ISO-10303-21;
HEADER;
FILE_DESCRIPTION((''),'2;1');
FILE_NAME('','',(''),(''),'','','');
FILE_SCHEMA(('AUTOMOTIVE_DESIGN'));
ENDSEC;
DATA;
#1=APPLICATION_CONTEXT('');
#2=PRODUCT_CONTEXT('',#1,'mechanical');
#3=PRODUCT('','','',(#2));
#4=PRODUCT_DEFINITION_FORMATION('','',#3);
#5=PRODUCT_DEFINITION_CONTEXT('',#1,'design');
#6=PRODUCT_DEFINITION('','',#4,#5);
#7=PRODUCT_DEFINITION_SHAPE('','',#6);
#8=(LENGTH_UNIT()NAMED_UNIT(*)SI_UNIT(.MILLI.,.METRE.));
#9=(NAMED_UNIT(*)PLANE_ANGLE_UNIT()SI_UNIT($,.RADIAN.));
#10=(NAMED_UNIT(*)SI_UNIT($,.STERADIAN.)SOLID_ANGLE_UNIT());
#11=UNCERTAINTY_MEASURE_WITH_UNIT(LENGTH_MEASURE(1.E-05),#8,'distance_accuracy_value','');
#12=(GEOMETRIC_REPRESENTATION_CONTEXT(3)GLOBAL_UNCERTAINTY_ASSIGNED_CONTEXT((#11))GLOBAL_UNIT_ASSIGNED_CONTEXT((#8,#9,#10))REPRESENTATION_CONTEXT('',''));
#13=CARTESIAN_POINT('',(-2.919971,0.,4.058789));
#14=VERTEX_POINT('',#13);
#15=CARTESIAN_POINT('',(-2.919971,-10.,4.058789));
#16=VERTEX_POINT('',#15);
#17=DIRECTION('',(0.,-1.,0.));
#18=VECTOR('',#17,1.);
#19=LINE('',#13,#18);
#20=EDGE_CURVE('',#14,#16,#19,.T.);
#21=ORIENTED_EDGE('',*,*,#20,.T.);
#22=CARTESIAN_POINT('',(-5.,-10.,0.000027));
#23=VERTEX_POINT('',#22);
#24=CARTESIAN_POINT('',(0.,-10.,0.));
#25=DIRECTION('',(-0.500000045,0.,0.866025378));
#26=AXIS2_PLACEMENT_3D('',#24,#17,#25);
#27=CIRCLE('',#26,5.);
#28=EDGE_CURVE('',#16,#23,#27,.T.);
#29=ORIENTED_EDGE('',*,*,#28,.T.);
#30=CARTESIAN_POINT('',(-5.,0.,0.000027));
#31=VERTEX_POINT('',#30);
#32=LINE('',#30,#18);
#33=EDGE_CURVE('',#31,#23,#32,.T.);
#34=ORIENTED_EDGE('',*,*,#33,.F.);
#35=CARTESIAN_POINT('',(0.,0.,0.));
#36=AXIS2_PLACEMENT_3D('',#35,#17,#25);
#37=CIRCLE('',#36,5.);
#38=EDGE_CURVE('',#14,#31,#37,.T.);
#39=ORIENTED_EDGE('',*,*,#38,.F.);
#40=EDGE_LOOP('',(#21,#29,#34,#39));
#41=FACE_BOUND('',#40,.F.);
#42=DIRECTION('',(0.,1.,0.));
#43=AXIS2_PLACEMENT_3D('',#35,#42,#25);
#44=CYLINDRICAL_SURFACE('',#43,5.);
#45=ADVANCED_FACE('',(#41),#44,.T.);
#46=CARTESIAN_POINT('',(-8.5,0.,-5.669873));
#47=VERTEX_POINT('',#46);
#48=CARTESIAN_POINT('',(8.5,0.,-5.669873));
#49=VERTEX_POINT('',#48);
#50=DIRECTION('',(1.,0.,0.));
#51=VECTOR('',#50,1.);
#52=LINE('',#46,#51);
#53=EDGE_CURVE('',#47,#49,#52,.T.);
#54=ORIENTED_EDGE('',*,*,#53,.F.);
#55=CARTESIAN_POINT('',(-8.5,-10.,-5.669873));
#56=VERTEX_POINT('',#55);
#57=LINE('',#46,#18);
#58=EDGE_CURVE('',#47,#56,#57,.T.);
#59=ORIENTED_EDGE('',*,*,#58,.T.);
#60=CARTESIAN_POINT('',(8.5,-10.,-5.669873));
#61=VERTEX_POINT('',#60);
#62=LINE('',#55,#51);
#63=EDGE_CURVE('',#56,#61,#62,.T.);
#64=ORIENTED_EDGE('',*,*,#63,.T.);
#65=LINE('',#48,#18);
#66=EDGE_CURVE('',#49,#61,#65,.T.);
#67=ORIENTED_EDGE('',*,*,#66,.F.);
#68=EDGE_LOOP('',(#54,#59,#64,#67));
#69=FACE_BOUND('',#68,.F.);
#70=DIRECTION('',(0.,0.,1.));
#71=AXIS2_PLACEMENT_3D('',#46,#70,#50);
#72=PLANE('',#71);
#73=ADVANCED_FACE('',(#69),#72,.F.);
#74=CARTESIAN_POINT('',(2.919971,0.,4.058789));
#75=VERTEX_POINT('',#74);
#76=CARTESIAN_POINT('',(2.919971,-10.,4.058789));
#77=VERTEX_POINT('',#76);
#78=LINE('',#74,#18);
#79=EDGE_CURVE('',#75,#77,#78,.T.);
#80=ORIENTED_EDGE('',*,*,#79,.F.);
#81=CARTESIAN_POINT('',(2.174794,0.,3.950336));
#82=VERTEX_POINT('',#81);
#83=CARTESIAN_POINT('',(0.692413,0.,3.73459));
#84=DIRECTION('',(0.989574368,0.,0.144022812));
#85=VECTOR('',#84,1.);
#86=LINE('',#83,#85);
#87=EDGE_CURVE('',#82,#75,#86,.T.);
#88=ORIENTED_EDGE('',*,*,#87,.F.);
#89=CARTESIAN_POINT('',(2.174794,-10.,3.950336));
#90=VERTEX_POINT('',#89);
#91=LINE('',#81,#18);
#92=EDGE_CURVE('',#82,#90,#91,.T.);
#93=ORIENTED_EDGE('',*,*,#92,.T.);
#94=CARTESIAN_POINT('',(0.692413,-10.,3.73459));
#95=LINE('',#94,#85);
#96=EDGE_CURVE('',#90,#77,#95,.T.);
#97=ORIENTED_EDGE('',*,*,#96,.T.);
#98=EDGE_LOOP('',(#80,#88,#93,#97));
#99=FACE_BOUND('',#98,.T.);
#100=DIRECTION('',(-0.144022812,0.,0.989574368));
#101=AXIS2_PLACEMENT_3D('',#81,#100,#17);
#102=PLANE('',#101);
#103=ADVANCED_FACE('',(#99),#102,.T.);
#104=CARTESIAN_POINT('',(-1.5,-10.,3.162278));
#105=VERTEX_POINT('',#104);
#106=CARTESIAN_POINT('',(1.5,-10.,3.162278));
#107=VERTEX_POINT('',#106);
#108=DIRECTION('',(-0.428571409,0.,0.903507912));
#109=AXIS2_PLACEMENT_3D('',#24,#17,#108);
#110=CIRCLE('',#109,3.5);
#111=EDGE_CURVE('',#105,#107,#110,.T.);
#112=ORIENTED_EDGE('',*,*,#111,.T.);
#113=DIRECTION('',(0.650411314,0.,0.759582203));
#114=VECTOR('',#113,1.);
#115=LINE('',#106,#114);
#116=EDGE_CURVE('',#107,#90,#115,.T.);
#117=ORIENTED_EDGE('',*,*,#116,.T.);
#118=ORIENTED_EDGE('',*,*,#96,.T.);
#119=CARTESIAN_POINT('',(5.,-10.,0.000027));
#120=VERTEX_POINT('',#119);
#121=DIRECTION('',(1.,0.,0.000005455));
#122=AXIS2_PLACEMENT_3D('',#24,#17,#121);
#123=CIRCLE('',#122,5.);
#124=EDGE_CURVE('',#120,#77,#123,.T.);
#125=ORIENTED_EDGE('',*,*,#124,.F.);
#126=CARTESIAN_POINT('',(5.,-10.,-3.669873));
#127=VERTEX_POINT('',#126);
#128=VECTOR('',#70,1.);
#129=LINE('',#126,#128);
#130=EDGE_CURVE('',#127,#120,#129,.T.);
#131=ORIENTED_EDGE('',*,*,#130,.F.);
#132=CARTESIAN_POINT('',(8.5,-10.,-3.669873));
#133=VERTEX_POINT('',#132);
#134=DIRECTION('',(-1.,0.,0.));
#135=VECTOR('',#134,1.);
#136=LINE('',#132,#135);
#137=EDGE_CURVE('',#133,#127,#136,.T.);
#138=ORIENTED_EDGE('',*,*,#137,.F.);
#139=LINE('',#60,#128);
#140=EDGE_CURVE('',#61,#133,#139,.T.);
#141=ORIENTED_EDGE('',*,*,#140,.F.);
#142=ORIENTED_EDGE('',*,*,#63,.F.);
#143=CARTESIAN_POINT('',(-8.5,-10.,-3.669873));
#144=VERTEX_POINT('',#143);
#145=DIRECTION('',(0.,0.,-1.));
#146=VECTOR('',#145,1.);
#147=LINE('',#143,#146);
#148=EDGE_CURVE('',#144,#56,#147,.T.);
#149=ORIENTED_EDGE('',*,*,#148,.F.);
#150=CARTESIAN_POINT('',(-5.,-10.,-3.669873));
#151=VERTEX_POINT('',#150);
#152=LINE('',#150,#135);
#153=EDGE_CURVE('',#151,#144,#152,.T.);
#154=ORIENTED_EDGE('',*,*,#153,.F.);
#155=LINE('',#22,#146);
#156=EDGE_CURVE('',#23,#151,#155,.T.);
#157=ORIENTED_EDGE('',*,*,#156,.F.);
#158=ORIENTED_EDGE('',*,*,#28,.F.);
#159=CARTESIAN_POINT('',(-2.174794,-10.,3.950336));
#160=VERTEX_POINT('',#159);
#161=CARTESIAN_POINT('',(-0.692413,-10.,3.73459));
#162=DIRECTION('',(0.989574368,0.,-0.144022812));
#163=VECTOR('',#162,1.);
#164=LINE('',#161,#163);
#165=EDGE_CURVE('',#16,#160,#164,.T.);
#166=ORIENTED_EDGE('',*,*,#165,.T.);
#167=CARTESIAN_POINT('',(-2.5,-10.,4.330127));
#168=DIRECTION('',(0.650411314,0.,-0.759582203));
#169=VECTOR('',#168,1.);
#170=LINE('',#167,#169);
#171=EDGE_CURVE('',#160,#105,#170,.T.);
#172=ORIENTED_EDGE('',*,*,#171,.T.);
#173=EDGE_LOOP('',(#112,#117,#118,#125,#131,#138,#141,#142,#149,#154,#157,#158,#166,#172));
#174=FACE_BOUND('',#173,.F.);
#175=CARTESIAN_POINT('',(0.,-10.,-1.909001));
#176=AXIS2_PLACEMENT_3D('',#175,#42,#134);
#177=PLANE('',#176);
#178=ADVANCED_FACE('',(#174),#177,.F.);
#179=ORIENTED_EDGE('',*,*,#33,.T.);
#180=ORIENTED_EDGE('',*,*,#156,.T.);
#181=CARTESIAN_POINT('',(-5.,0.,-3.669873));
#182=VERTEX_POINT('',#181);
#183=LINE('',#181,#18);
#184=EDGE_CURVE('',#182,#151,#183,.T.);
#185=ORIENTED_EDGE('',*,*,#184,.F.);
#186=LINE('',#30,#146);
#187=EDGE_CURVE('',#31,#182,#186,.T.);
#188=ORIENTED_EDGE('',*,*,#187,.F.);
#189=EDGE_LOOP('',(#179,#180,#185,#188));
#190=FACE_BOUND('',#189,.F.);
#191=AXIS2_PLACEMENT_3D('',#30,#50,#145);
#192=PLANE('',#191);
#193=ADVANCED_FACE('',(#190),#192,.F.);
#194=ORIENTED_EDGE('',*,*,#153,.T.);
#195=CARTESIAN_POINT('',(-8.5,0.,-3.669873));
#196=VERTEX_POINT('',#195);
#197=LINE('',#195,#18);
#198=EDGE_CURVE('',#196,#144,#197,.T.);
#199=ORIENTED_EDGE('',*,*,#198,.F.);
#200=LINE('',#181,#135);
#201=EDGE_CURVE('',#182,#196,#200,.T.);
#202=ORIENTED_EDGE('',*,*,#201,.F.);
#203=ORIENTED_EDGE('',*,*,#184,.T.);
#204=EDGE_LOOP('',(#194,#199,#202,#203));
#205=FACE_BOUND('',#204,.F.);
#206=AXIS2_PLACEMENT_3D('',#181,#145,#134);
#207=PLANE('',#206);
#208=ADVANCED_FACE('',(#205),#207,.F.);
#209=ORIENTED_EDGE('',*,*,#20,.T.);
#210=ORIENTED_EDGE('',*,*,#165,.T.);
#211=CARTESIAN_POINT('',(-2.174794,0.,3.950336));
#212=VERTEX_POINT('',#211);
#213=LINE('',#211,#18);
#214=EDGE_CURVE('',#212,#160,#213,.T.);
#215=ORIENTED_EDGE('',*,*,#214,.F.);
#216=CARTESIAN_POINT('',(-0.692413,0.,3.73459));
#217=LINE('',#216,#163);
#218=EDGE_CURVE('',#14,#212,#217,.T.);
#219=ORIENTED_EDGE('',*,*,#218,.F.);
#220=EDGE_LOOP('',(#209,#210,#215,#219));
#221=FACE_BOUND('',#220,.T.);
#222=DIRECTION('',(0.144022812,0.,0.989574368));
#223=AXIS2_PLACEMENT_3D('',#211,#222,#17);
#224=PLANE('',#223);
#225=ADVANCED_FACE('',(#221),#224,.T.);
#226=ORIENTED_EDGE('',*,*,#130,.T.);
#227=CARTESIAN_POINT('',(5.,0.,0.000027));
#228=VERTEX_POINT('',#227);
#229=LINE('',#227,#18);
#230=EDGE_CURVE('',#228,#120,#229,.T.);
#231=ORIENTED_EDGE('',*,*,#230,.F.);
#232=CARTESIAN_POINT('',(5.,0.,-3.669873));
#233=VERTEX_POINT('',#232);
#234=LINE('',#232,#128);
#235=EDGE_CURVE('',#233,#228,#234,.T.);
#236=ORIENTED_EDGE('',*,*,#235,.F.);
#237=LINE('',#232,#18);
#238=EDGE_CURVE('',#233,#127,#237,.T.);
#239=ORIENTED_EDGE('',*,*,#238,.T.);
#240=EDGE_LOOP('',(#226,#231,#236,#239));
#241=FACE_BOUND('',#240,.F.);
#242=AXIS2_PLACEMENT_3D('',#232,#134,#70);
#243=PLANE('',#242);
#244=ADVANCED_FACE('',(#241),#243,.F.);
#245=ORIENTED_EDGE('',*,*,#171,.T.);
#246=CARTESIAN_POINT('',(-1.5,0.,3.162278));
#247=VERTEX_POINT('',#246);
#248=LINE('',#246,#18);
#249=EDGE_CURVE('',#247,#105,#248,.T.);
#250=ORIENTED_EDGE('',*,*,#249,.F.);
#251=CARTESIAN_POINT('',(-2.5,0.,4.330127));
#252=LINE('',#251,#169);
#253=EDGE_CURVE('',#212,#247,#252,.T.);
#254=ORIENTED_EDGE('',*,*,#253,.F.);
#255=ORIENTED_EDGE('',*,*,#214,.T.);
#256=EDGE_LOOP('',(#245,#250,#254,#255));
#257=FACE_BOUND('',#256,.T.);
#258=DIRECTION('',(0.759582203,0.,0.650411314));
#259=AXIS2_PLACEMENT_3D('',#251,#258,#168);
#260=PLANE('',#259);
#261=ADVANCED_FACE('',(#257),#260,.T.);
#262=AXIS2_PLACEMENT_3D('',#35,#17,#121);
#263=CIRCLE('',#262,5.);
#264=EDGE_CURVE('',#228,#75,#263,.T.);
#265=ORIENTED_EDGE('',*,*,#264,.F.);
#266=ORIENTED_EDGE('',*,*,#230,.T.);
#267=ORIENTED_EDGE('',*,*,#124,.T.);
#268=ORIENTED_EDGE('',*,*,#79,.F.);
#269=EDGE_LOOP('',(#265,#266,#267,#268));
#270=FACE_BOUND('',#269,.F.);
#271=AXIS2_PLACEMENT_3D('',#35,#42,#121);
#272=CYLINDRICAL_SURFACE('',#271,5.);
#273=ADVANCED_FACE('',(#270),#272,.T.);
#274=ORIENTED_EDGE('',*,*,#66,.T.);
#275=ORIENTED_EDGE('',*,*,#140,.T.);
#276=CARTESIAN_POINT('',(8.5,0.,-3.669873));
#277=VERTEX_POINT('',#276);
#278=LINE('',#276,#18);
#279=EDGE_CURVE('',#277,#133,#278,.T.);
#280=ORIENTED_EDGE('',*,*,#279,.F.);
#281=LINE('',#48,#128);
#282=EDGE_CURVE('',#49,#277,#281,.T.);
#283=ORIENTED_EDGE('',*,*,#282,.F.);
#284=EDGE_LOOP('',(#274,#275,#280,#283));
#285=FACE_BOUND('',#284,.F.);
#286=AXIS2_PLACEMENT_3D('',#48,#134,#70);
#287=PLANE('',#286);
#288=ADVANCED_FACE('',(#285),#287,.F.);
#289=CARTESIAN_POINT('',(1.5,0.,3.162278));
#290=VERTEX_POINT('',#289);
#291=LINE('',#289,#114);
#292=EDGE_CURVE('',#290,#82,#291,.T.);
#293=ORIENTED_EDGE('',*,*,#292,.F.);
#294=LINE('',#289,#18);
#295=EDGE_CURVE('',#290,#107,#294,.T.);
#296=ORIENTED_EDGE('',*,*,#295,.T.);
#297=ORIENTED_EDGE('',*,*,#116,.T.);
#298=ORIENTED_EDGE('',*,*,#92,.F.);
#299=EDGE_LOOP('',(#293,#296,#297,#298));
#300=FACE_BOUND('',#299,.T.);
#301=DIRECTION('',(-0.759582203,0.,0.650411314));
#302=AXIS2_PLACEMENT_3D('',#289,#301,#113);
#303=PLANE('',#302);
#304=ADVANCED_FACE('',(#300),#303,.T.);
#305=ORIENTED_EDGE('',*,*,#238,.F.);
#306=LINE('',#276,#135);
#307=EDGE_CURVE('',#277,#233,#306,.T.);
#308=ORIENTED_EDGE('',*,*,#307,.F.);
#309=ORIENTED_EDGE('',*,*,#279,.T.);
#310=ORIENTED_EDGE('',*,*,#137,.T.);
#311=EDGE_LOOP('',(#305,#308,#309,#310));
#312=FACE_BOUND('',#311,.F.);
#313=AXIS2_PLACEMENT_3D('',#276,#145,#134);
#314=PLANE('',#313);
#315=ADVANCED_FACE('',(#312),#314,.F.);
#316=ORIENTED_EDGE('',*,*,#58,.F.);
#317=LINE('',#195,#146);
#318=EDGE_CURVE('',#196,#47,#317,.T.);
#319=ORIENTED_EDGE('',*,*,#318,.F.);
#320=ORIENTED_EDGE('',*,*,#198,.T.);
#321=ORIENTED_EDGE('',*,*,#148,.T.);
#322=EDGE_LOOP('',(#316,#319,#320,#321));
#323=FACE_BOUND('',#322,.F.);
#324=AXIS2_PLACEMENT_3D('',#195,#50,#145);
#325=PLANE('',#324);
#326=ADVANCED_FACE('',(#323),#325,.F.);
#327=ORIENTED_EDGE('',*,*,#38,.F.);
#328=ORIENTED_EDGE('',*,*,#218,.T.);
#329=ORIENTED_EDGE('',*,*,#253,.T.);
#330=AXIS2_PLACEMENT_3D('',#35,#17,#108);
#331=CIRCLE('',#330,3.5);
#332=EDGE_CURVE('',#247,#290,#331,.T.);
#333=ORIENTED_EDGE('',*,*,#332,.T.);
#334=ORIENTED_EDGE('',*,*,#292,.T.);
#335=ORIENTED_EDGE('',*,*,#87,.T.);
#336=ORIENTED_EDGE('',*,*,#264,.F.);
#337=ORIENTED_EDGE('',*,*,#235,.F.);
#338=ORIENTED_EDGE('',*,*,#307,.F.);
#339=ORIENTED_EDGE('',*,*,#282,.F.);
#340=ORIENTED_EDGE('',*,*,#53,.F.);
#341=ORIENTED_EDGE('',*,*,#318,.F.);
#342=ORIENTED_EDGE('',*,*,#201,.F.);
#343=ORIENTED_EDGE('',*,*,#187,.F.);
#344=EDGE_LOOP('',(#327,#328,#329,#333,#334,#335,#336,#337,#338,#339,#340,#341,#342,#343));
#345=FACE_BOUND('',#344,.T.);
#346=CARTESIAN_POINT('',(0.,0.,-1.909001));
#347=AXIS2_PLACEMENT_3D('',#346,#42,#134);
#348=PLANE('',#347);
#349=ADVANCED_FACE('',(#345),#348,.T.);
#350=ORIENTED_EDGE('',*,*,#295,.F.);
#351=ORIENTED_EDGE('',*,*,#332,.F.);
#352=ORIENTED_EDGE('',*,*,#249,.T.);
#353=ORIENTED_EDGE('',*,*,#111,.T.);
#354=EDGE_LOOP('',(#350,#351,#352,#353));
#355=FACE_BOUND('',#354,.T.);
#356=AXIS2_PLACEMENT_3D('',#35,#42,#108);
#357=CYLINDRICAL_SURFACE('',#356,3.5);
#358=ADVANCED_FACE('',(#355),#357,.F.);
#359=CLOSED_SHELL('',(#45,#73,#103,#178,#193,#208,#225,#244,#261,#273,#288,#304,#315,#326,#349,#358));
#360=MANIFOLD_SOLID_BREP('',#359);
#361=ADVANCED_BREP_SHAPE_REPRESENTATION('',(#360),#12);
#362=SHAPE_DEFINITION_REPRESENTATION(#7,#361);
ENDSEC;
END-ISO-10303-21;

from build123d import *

# Parameters (mm, degrees)
PAD_DEPTH       = 10
CHAMFER_SIZE    = 0.5
CHAMFER001_SIZE = 0.5


with BuildPart() as part:
    # Sketch → Pad (new body)
    with BuildSketch(Plane.XZ):
        with BuildLine():
            ThreePointArc((-1.5, 3.162278), (0, -3.5), (1.5, 3.162278))
            Line((1.5, 3.162278), (2.5, 4.330127))
            ThreePointArc((5, 2.7e-05), (4.33012, 2.500012), (2.5, 4.330127))
            Line((5, -3.669873), (5, 2.7e-05))
            Line((8.5, -3.669873), (5, -3.669873))
            Line((8.5, -5.669873), (8.5, -3.669873))
            Line((-8.5, -5.669873), (8.5, -5.669873))
            Line((-8.5, -3.669873), (-8.5, -5.669873))
            Line((-5, -3.669873), (-8.5, -3.669873))
            Line((-5, 2.7e-05), (-5, -3.669873))
            ThreePointArc((-2.5, 4.330127), (-4.33012, 2.500012), (-5, 2.7e-05))
            Line((-2.5, 4.330127), (-1.5, 3.162278))
        make_face()
    extrude(amount=PAD_DEPTH)

    # Chamfer
    chamfer_edges = [part.edges().sort_by_distance(p)[0] for p in [
        (-2.5, -5, 4.330127),
    ]]
    chamfer(chamfer_edges, length=CHAMFER_SIZE)

    # Chamfer001
    chamfer001_edges = [part.edges().sort_by_distance(p)[0] for p in [
        (2.5, -5, 4.330127),
    ]]
    chamfer(chamfer001_edges, length=CHAMFER001_SIZE)


solid = part.part
